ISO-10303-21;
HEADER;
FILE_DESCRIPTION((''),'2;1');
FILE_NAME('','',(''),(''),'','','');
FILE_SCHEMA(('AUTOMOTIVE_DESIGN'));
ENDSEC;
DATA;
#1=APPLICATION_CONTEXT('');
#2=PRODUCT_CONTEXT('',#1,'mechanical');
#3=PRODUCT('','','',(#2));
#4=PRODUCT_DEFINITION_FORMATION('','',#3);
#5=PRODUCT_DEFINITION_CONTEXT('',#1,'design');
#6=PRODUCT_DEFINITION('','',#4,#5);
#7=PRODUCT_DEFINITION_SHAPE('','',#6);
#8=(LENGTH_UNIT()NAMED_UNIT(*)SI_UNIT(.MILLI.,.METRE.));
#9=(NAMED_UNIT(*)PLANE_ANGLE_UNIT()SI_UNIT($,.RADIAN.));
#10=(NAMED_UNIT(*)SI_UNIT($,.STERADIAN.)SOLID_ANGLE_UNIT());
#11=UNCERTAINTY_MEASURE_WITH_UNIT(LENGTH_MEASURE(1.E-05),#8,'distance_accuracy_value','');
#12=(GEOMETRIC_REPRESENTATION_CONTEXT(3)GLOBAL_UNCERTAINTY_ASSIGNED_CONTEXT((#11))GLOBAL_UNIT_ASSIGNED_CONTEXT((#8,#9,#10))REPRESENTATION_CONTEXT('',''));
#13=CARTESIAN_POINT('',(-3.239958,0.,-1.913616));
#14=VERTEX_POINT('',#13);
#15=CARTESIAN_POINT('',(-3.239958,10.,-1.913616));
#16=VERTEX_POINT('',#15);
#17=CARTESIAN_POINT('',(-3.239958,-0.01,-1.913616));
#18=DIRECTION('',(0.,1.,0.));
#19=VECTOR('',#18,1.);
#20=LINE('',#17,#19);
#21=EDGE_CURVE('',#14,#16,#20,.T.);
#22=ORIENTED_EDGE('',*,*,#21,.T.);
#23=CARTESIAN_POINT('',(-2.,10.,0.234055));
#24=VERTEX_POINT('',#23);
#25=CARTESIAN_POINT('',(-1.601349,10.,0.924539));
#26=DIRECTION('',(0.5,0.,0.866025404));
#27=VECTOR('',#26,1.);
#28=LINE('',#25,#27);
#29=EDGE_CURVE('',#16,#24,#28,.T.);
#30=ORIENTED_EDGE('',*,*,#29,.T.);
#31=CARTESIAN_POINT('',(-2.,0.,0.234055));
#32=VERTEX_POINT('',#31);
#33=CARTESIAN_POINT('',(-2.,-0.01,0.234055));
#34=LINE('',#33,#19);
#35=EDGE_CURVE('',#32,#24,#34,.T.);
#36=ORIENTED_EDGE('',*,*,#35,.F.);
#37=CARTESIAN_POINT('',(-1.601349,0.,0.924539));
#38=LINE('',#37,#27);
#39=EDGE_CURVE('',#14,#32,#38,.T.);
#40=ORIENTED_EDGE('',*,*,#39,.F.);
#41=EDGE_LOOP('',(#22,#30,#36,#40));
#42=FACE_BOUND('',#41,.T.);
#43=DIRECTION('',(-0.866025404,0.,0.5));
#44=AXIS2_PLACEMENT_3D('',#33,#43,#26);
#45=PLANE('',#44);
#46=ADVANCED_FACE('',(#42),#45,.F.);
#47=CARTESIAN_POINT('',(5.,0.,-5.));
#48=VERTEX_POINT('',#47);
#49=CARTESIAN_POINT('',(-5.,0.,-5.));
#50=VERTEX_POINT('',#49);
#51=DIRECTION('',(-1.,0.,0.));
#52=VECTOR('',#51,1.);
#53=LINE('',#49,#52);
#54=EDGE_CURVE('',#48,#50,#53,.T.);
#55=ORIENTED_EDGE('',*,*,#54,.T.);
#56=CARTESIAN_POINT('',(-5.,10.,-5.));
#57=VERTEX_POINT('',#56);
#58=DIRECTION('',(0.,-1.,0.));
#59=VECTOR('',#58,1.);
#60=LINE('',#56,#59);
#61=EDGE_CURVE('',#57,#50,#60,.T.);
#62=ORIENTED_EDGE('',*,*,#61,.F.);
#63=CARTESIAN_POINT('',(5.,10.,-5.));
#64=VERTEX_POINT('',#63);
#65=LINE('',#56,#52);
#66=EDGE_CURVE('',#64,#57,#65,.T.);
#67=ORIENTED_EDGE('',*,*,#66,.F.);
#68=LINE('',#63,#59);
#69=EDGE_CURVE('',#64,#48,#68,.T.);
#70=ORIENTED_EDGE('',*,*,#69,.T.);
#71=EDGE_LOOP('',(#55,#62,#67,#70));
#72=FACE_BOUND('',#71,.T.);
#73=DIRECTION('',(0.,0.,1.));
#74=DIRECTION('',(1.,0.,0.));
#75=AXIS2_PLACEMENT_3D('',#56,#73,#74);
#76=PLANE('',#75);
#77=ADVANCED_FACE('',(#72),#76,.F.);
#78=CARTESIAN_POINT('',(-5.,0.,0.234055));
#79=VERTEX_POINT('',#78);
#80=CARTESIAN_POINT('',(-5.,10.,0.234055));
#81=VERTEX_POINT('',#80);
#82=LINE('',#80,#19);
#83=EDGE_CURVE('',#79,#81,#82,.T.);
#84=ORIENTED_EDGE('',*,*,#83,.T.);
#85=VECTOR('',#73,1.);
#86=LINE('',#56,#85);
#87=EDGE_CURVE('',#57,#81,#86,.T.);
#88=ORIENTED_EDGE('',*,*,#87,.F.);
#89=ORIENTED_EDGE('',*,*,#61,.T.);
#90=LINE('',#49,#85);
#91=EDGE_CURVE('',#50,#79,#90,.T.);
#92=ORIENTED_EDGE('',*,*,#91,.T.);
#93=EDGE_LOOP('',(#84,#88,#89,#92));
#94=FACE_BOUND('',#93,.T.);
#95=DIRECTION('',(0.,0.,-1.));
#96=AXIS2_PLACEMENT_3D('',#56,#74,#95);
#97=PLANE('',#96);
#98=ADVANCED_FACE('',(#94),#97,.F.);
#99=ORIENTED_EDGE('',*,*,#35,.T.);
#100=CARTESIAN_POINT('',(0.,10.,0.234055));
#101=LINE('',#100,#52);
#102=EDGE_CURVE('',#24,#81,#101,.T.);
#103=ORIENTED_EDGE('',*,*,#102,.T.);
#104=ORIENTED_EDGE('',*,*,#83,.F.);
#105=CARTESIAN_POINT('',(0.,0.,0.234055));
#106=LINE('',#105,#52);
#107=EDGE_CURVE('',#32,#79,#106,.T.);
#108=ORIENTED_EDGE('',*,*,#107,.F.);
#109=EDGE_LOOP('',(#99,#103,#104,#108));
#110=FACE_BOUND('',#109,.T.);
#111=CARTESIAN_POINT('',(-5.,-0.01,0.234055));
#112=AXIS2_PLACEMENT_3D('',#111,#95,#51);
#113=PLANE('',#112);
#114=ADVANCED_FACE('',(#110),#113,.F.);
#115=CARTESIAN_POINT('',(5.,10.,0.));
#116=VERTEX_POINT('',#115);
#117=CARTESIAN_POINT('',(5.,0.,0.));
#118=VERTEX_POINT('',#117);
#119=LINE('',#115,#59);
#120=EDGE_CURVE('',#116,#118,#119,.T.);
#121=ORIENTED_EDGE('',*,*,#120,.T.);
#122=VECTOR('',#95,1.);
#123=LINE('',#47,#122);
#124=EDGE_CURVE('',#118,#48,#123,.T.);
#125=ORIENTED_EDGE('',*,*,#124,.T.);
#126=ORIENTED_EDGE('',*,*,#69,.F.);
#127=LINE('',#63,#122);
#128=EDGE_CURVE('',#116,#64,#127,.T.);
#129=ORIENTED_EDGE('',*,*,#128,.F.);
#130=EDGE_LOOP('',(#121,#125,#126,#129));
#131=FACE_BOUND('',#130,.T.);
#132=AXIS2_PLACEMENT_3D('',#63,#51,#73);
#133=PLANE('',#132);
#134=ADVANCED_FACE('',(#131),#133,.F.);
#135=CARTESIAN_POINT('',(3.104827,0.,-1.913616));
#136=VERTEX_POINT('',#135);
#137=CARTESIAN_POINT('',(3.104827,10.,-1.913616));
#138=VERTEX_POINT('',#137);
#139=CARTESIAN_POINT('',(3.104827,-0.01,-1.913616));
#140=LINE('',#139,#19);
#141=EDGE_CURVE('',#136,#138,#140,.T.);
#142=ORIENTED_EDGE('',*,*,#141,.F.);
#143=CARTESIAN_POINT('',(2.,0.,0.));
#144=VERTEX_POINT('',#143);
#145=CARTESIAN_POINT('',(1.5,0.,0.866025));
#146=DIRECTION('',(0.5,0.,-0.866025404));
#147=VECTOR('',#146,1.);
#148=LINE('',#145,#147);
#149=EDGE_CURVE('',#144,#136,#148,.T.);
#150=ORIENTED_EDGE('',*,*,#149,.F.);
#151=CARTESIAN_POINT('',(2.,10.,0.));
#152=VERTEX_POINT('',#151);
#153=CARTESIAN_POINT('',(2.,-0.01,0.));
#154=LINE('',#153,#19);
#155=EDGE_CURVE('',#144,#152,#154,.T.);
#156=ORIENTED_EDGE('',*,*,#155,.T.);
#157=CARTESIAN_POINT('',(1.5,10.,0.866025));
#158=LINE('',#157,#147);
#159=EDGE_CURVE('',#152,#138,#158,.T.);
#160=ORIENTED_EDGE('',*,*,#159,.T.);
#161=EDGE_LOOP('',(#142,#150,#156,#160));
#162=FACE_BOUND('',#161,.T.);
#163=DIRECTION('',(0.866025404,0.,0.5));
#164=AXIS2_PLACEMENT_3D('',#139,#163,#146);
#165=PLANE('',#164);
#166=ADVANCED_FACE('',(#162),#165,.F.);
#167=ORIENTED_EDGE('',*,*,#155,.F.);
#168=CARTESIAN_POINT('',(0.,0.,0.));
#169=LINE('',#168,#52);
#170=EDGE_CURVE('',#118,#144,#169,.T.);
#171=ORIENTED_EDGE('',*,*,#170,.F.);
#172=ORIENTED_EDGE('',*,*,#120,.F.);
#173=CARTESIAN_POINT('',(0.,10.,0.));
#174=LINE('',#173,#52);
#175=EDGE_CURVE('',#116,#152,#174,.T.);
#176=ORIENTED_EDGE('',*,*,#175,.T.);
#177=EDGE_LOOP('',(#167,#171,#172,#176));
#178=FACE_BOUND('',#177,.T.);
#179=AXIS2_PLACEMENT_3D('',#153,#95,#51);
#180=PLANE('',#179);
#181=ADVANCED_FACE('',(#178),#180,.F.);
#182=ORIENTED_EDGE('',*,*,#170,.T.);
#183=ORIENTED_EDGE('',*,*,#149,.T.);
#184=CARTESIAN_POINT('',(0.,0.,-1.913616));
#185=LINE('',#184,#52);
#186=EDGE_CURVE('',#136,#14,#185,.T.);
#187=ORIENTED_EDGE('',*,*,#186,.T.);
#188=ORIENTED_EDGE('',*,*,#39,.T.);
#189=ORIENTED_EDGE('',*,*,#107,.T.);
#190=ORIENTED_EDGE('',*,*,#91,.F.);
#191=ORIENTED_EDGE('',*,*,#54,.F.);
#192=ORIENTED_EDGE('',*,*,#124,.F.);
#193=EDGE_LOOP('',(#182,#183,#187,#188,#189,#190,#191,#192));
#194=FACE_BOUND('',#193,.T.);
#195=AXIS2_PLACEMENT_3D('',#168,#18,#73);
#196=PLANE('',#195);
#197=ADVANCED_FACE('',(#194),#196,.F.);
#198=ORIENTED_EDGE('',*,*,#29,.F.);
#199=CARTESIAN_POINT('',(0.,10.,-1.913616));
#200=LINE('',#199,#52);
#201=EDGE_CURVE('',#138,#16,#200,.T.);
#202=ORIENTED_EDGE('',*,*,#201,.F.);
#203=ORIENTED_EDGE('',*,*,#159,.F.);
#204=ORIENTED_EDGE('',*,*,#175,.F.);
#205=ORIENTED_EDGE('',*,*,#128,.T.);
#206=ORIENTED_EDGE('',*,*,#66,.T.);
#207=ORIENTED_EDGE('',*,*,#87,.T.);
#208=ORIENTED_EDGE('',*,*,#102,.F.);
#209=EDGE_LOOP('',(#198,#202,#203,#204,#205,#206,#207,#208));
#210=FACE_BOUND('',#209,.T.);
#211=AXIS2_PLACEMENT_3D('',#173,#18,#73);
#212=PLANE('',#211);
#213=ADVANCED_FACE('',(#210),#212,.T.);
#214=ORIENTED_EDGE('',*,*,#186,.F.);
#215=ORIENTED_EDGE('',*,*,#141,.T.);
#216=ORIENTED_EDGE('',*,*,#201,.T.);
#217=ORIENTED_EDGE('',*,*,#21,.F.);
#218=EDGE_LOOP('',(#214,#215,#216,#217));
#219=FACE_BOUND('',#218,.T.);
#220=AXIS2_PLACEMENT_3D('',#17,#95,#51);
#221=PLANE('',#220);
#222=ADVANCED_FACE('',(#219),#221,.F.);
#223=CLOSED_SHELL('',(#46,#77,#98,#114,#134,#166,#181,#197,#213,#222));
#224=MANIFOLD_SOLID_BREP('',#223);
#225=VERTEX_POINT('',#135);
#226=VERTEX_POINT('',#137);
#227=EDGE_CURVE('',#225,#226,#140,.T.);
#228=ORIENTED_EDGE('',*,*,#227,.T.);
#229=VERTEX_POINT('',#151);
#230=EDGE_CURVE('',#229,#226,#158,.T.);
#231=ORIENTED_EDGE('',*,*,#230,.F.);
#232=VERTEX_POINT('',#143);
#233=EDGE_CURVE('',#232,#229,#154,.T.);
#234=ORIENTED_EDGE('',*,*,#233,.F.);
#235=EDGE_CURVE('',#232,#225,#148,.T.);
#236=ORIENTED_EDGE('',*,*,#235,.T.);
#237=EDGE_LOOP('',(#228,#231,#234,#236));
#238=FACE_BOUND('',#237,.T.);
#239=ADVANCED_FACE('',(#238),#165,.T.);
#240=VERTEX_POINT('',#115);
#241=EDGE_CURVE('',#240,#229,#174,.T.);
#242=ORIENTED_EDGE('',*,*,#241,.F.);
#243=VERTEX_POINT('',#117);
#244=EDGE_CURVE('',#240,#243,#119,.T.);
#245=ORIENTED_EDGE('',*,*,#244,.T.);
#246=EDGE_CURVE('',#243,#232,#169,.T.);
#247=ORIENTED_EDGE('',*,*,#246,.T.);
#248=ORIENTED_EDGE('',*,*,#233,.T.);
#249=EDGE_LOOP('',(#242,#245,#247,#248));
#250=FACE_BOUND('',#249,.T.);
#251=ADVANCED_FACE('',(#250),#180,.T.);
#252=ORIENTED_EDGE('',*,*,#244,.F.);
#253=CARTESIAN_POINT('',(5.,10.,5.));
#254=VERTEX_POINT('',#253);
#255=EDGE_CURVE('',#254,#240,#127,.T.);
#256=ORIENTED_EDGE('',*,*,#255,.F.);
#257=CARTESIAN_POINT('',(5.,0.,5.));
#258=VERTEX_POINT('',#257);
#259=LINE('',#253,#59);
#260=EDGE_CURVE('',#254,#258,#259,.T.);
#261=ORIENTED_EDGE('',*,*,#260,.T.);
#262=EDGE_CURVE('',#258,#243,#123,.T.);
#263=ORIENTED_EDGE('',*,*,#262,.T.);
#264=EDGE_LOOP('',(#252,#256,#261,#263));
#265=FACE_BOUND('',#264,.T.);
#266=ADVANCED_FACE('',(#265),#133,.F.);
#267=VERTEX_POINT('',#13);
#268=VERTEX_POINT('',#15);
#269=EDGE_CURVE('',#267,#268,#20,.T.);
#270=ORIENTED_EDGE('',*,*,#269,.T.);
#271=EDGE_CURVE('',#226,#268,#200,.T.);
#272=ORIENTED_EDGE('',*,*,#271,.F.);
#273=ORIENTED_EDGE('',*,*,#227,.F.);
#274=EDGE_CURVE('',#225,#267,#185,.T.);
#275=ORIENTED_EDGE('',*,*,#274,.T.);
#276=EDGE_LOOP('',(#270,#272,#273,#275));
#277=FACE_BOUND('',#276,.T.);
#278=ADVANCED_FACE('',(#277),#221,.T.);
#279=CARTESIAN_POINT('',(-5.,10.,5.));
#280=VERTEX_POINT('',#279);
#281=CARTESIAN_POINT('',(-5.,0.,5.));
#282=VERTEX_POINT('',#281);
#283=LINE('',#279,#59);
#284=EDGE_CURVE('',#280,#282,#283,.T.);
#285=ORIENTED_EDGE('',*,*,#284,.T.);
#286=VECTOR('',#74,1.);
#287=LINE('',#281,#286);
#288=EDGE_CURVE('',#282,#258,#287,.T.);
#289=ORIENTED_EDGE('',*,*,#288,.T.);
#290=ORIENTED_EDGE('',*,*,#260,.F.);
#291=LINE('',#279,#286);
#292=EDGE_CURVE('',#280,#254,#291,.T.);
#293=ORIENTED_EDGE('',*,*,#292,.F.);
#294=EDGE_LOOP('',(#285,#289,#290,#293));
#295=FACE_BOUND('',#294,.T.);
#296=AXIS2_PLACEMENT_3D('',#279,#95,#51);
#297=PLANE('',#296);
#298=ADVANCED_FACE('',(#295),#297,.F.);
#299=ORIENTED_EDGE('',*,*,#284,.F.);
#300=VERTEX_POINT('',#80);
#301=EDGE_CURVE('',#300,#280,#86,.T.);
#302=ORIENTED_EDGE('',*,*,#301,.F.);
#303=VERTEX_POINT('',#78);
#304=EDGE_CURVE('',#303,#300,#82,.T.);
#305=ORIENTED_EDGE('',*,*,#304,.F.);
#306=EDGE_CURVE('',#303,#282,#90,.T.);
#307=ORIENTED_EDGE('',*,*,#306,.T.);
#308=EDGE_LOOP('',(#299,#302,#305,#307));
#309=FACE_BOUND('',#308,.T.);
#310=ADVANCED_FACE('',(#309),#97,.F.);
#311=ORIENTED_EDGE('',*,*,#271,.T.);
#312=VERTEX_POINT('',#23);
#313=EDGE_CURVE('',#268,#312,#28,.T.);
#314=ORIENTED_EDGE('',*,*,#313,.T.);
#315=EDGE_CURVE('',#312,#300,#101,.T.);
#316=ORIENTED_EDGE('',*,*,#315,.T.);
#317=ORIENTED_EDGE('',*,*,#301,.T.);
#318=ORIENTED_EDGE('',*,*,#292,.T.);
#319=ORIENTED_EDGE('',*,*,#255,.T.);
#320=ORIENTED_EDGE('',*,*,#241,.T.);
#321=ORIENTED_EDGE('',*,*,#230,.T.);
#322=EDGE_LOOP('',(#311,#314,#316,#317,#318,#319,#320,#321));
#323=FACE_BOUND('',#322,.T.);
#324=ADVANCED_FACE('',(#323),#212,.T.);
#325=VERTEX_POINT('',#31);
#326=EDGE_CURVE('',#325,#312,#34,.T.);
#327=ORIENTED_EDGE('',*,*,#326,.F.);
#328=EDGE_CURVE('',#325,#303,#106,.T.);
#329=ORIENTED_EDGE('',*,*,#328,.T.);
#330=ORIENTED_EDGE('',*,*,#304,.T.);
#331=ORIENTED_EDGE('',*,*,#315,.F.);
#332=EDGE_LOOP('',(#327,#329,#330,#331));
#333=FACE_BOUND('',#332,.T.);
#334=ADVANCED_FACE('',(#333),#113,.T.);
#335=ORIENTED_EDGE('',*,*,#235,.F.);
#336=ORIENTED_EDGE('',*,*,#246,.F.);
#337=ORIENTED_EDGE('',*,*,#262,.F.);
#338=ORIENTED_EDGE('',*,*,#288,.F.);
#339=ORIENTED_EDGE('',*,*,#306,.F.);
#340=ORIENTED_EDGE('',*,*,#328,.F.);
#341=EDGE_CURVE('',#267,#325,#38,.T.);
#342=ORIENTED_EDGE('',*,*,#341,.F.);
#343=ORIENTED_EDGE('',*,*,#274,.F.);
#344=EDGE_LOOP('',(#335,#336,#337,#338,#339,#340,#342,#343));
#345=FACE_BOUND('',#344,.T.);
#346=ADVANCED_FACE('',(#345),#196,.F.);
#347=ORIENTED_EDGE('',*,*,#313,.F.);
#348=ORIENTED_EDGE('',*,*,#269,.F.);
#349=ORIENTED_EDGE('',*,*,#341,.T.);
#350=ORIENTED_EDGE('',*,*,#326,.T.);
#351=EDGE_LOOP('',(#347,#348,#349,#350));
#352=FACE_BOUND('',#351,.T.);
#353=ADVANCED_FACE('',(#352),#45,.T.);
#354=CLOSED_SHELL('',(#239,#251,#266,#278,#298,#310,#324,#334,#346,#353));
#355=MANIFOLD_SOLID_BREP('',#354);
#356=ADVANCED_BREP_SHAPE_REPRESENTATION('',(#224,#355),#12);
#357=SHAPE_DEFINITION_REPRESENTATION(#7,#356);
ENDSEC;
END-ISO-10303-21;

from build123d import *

# Parameters (mm, degrees)
SKETCH1_W              = 10
SKETCH1_H              = 10
BOSS_EXTRUDE1_DEPTH    = 10
SPLIT2_SURFACE_1_BACK  = 18.321
SPLIT2_SURFACE_1_DEPTH = 36.642
SPLIT2_SURFACE_2_BACK  = 18.321
SPLIT2_SURFACE_2_DEPTH = 36.642


with BuildPart() as part:
    # Sketch1 → Boss-Extrude1 (new body)
    with BuildSketch(Plane(origin=(0, 0, 0), x_dir=(1, 0, 0), z_dir=(0, 1, 0))):
        Rectangle(SKETCH1_W, SKETCH1_H)
    extrude(amount=BOSS_EXTRUDE1_DEPTH)


with BuildPart() as body_2:
    # Split2: the piece behind the surface
    add(part.part)
    # Split2 surface: a surface, the sketch's curves swept straight by 36.642 mm
    with BuildLine(Plane(origin=(0, 10, 0), x_dir=(1, 0, 0), z_dir=(0, 1, 0)).offset(-SPLIT2_SURFACE_1_BACK), mode=Mode.PRIVATE) as split2_surface_1_path:
        Line((-5, -0.234054964), (-2, -0.234054964))
        Line((-2, -0.234054964), (-3.239958467, 1.9136161))
        Line((-3.239958467, 1.9136161), (3.104826771, 1.9136161))
        Line((3.104826771, 1.9136161), (2, 0))
        Line((2, 0), (5, 0))
        Line((5, 0), (5, -5))
        Line((5, -5), (-5, -5))
        Line((-5, -5), (-5, -0.234054964))
    split2_surface_1 = Shell.extrude(split2_surface_1_path.wire(), (0 * SPLIT2_SURFACE_1_DEPTH, 1 * SPLIT2_SURFACE_1_DEPTH, 0 * SPLIT2_SURFACE_1_DEPTH))
    split(bisect_by=split2_surface_1, keep=Keep.BOTTOM)


with BuildPart() as part_1:
    add(part.part)

    # Split2: split by a surface, the side it looks to stays
    # Split2 surface: a surface, the sketch's curves swept straight by 36.642 mm
    with BuildLine(Plane(origin=(0, 10, 0), x_dir=(1, 0, 0), z_dir=(0, 1, 0)).offset(-SPLIT2_SURFACE_2_BACK), mode=Mode.PRIVATE) as split2_surface_2_path:
        Line((-5, -0.234054964), (-2, -0.234054964))
        Line((-2, -0.234054964), (-3.239958467, 1.9136161))
        Line((-3.239958467, 1.9136161), (3.104826771, 1.9136161))
        Line((3.104826771, 1.9136161), (2, 0))
        Line((2, 0), (5, 0))
        Line((5, 0), (5, -5))
        Line((5, -5), (-5, -5))
        Line((-5, -5), (-5, -0.234054964))
    split2_surface_2 = Shell.extrude(split2_surface_2_path.wire(), (0 * SPLIT2_SURFACE_2_DEPTH, 1 * SPLIT2_SURFACE_2_DEPTH, 0 * SPLIT2_SURFACE_2_DEPTH))
    split(bisect_by=split2_surface_2, keep=Keep.TOP)


solid = Compound([body_2.part, part_1.part])
